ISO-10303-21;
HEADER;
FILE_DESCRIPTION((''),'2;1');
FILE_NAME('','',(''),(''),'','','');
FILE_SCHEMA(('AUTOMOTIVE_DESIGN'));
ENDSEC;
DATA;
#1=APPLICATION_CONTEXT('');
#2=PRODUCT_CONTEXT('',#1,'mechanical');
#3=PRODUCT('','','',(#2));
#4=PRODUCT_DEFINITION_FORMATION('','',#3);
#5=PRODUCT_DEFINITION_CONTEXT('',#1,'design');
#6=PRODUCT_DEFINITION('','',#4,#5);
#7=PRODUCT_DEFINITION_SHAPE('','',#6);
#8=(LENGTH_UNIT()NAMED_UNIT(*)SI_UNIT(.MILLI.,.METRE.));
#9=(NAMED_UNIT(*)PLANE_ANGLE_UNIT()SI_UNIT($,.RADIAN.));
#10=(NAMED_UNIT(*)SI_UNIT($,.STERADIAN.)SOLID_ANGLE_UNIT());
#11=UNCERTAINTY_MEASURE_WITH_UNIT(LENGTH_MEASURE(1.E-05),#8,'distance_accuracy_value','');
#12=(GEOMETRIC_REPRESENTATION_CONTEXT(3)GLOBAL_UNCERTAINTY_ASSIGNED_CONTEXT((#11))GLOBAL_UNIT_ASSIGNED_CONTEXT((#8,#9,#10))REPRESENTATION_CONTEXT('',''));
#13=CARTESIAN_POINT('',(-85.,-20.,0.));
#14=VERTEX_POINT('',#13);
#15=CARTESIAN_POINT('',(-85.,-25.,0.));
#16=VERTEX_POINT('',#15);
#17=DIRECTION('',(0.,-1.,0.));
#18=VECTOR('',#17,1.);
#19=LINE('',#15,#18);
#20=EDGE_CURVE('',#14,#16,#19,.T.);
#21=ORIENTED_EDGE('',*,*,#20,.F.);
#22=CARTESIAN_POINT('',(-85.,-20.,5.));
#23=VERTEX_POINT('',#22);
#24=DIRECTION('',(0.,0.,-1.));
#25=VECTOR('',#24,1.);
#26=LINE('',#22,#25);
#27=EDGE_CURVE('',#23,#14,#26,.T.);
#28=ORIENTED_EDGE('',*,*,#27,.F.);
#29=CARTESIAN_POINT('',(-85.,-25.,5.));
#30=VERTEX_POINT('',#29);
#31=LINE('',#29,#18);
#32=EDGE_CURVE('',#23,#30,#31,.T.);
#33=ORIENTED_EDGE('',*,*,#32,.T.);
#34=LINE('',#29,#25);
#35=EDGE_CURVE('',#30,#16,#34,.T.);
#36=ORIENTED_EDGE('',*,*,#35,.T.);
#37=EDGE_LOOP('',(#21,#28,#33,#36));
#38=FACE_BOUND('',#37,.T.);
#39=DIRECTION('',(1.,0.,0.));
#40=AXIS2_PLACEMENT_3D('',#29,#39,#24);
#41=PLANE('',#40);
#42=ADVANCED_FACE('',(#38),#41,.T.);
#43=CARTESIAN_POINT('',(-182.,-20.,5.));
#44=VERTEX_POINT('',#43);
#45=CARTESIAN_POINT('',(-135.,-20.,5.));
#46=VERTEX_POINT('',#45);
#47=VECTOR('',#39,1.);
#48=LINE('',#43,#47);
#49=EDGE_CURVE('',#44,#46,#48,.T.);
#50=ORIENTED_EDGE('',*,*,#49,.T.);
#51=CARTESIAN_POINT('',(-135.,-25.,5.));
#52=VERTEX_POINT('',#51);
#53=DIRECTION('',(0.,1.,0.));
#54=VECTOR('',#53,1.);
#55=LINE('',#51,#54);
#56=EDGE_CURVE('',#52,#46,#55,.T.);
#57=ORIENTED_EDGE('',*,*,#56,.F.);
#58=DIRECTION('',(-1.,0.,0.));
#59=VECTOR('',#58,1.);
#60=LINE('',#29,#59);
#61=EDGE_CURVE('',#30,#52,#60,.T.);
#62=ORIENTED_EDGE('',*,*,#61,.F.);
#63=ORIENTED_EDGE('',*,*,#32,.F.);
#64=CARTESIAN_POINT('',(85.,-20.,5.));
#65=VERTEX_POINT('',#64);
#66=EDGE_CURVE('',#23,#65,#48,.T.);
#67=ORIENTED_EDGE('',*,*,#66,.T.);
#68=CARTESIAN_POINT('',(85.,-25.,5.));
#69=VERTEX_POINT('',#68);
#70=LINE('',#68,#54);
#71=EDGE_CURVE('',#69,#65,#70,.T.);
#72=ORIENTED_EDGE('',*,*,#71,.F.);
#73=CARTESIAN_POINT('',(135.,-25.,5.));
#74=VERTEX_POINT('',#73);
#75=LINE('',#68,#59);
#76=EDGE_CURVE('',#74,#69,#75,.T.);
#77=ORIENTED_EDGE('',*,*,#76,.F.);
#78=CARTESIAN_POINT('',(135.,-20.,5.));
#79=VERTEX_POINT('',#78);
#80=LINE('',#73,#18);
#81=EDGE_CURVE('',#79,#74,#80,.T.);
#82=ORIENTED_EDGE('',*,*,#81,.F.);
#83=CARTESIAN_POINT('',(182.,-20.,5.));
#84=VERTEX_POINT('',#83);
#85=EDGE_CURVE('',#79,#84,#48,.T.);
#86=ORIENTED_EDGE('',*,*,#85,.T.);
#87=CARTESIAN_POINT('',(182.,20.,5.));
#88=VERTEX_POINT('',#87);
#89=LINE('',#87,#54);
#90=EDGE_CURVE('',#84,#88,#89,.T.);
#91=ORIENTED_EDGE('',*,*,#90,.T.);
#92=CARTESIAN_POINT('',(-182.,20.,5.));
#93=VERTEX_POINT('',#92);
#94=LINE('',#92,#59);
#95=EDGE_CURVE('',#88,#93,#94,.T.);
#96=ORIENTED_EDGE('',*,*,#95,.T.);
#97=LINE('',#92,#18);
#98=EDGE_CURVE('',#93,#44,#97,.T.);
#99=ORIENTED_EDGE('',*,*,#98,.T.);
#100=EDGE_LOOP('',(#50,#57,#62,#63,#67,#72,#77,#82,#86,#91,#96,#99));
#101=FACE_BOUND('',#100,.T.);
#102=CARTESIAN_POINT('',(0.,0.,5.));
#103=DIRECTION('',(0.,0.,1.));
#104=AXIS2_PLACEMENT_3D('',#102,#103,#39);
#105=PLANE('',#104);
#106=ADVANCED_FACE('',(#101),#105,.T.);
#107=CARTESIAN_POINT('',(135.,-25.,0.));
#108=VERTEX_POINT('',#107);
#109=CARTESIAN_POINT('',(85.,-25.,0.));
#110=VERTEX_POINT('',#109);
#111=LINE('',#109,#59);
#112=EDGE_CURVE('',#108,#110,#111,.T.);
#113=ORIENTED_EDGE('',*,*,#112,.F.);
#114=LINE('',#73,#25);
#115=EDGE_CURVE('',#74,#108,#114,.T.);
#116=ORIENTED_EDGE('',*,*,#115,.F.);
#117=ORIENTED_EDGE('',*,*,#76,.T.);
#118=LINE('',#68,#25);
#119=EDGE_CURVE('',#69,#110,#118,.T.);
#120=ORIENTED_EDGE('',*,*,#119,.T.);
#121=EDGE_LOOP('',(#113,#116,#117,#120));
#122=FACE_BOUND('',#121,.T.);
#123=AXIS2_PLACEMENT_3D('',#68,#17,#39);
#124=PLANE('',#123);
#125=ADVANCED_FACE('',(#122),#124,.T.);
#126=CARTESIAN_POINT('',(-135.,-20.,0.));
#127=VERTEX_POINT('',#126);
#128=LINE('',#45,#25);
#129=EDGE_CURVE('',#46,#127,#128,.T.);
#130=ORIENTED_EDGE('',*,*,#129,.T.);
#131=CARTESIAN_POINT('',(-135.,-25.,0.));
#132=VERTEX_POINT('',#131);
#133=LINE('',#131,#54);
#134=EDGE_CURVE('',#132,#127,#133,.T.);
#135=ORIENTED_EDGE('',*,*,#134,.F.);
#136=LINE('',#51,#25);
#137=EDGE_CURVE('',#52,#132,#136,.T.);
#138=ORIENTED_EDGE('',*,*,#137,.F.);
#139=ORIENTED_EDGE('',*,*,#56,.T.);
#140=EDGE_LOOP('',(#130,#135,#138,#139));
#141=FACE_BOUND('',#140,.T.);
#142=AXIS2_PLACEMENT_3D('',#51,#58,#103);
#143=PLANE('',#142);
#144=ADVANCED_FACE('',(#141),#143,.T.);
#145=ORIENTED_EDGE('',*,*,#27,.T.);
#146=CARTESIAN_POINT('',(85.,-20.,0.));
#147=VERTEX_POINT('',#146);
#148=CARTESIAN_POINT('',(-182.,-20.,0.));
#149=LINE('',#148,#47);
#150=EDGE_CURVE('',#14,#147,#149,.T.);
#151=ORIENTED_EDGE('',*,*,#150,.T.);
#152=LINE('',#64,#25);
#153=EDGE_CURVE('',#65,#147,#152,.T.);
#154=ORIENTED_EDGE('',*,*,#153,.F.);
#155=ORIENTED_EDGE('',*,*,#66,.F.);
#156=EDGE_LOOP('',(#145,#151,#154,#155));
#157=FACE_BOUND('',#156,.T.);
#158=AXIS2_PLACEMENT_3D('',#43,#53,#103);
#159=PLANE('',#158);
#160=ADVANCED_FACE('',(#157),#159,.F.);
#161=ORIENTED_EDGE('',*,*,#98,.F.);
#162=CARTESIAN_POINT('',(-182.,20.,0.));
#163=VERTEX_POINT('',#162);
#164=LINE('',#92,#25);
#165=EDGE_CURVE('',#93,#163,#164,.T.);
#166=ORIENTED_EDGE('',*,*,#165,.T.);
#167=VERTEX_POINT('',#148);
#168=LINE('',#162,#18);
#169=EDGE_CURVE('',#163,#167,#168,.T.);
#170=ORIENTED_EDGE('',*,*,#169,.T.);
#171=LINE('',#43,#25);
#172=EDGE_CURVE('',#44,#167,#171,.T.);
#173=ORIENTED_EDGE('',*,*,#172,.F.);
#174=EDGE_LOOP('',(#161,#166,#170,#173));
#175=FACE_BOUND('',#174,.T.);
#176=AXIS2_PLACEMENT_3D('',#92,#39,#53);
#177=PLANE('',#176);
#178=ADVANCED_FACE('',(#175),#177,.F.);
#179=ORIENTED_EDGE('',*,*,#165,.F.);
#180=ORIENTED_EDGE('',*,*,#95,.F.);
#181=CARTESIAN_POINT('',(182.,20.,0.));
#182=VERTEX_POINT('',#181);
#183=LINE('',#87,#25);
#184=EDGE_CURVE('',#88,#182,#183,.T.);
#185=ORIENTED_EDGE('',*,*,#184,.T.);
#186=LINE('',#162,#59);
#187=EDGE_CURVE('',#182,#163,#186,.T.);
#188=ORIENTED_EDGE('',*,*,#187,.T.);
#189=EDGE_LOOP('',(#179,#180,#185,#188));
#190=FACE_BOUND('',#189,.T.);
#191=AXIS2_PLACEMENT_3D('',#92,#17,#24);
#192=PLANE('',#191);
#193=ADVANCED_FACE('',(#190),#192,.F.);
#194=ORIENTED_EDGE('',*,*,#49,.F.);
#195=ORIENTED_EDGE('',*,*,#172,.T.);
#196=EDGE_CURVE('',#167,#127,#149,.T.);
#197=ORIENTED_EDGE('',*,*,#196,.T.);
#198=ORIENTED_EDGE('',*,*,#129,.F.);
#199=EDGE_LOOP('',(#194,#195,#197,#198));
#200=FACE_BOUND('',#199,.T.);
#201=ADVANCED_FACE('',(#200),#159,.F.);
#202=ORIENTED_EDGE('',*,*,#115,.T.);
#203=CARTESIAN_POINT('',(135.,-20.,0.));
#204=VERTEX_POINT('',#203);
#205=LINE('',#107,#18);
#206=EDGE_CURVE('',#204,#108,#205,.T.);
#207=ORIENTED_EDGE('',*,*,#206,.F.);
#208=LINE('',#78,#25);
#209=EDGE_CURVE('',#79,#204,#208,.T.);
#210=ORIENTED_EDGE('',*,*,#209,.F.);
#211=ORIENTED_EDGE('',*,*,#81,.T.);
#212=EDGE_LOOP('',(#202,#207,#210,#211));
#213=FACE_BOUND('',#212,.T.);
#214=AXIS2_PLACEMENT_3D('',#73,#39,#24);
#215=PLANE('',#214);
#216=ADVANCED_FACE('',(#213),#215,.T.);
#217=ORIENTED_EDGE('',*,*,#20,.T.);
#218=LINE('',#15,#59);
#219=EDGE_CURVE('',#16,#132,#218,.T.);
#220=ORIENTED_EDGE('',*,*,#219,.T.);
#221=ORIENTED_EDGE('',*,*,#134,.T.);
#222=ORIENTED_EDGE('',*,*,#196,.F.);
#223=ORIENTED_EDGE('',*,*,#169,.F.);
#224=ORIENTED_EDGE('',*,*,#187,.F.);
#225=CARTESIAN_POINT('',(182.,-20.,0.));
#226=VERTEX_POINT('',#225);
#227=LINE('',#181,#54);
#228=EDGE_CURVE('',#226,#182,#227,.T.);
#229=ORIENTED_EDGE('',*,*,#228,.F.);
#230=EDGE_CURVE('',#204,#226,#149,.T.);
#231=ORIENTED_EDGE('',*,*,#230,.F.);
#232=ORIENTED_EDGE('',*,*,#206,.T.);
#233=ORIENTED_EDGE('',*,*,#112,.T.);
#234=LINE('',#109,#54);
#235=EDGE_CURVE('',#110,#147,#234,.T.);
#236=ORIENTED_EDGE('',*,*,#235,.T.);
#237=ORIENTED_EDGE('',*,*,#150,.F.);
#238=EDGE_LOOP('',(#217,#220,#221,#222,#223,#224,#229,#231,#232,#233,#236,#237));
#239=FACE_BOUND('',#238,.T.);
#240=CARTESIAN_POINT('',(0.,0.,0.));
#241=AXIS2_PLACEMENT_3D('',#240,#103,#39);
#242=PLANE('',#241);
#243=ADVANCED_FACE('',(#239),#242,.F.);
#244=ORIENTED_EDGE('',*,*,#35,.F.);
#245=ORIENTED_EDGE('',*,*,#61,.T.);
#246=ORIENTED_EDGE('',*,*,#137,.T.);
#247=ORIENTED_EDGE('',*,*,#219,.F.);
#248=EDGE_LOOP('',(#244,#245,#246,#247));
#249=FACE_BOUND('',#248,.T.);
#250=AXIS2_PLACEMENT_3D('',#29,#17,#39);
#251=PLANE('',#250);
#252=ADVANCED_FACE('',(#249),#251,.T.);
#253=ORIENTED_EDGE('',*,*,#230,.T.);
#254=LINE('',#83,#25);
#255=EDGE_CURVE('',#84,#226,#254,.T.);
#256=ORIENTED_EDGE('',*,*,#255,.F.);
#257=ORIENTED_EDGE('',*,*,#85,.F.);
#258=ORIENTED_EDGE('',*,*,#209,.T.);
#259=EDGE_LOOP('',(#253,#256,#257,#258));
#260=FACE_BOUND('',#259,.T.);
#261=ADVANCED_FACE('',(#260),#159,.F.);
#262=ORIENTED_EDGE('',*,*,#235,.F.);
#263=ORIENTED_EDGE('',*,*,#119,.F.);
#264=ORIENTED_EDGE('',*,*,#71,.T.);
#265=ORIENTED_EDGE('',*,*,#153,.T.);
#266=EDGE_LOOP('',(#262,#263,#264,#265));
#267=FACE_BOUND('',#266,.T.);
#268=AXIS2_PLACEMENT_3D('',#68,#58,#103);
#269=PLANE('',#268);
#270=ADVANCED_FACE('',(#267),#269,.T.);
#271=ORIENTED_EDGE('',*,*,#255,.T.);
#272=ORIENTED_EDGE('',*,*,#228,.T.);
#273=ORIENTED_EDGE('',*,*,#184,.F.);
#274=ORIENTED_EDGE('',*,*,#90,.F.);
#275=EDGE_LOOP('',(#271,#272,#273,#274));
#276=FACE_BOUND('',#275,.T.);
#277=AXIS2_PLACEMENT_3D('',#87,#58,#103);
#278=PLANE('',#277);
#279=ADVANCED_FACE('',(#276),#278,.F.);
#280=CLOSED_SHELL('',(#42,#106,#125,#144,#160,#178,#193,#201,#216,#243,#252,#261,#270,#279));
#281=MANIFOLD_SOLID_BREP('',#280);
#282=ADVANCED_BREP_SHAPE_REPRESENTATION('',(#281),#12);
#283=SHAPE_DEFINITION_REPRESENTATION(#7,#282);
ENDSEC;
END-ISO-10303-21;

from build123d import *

# Parameters (mm, degrees)
ESQUISSE1_W        = 364
ESQUISSE1_H        = 40
BOSS_EXTRU_1_DEPTH = 5
ESQUISSE2_W        = 50
ESQUISSE2_H        = 5
BOSS_EXTRU_2_DEPTH = 5


with BuildPart() as part:
    # Esquisse1 → Boss.-Extru.1 (new body)
    with BuildSketch(Plane.XY):
        Rectangle(ESQUISSE1_W, ESQUISSE1_H)
    extrude(amount=BOSS_EXTRU_1_DEPTH)

    # Esquisse2 → Boss.-Extru.2 (add)
    with BuildSketch(Plane(origin=(0, 0, 0), x_dir=(-1, 0, 0), z_dir=(0, 0, -1))):
        with Locations((-110, -22.5)):
            Rectangle(ESQUISSE2_W, ESQUISSE2_H)
        with Locations((110, -22.5)):
            Rectangle(ESQUISSE2_W, ESQUISSE2_H)
    extrude(amount=-BOSS_EXTRU_2_DEPTH)


solid = part.part
